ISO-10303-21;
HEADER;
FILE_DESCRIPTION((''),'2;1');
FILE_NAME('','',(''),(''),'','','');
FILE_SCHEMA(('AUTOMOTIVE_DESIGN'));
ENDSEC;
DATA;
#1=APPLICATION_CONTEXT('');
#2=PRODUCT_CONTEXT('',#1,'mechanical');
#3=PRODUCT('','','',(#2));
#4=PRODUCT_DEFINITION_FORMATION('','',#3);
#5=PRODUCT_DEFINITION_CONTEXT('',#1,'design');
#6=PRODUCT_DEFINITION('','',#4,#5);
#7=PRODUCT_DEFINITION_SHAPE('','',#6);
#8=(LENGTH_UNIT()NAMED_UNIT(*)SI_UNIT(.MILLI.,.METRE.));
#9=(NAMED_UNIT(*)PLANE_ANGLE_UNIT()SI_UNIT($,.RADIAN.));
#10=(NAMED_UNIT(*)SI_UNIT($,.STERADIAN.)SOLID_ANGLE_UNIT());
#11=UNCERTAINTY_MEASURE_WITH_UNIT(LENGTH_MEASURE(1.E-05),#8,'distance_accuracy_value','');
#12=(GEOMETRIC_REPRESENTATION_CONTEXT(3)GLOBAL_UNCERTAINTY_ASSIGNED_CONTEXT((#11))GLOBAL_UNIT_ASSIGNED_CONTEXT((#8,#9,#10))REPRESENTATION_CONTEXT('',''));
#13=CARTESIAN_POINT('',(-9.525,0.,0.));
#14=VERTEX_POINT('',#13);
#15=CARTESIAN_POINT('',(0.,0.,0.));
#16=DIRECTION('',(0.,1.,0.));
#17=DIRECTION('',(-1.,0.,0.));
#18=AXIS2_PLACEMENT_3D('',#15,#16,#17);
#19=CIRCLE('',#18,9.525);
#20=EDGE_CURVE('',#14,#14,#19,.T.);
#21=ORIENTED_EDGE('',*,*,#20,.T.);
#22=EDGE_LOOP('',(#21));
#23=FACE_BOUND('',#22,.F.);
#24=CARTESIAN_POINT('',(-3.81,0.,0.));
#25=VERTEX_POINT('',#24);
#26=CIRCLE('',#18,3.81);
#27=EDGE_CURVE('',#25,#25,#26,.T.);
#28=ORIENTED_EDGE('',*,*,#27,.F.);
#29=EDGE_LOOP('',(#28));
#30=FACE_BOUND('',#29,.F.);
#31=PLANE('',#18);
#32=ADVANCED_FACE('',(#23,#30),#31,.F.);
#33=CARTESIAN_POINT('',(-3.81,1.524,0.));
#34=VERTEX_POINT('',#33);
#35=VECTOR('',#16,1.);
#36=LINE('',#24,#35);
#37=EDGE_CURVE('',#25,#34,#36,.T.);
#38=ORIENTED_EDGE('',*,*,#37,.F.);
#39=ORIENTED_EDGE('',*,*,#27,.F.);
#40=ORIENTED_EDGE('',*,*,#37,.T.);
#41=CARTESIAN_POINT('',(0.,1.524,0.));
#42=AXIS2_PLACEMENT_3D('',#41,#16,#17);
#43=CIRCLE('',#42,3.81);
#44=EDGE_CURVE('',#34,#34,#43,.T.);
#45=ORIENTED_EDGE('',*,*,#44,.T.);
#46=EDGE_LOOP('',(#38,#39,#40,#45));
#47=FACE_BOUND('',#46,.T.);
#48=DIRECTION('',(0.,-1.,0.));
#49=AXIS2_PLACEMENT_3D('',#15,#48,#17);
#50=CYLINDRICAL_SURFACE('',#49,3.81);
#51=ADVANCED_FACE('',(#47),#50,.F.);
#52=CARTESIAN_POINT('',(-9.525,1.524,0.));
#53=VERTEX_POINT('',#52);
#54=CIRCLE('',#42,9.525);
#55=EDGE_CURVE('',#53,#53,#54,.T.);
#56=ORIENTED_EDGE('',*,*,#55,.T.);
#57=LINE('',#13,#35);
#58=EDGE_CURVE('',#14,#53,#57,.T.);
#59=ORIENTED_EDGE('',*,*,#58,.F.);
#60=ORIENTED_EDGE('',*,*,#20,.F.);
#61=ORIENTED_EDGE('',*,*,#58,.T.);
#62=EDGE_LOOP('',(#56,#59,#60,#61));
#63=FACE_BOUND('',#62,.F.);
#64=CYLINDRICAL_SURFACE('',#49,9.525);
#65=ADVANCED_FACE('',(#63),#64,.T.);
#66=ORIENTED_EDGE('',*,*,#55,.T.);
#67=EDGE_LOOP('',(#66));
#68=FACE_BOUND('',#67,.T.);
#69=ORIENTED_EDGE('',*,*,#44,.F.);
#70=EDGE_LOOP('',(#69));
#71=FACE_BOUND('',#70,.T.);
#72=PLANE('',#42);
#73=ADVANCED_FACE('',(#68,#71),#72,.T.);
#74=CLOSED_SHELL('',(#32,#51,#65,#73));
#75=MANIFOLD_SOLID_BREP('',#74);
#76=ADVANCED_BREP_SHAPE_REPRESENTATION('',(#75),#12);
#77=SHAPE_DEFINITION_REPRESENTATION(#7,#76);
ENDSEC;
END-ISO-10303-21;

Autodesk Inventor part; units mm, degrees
ref_plane "YZ Plane" through (0, 0, 0) normal (1, 0, 0) x (0, 1, 0)
ref_plane "XZ Plane" through (0, 0, 0) normal (0, 1, 0) x (-1, 0, 0)
ref_plane "XY Plane" through (0, 0, 0) normal (0, 0, 1) x (1, 0, 0)
sketch "Sketch1" plane through (0, 0, 0) normal (0, 1, 0) x (-1, 0, 0)
  circle A0 centre (0, 0) radius 3.81
  circle A1 centre (0, 0) radius 9.525
  dimension "d0" = 7.62
  dimension "d1" = 19.05
extrude "Extrusion1" add sketch "Sketch1" along normal blind 1.524
properties part number "washer"
